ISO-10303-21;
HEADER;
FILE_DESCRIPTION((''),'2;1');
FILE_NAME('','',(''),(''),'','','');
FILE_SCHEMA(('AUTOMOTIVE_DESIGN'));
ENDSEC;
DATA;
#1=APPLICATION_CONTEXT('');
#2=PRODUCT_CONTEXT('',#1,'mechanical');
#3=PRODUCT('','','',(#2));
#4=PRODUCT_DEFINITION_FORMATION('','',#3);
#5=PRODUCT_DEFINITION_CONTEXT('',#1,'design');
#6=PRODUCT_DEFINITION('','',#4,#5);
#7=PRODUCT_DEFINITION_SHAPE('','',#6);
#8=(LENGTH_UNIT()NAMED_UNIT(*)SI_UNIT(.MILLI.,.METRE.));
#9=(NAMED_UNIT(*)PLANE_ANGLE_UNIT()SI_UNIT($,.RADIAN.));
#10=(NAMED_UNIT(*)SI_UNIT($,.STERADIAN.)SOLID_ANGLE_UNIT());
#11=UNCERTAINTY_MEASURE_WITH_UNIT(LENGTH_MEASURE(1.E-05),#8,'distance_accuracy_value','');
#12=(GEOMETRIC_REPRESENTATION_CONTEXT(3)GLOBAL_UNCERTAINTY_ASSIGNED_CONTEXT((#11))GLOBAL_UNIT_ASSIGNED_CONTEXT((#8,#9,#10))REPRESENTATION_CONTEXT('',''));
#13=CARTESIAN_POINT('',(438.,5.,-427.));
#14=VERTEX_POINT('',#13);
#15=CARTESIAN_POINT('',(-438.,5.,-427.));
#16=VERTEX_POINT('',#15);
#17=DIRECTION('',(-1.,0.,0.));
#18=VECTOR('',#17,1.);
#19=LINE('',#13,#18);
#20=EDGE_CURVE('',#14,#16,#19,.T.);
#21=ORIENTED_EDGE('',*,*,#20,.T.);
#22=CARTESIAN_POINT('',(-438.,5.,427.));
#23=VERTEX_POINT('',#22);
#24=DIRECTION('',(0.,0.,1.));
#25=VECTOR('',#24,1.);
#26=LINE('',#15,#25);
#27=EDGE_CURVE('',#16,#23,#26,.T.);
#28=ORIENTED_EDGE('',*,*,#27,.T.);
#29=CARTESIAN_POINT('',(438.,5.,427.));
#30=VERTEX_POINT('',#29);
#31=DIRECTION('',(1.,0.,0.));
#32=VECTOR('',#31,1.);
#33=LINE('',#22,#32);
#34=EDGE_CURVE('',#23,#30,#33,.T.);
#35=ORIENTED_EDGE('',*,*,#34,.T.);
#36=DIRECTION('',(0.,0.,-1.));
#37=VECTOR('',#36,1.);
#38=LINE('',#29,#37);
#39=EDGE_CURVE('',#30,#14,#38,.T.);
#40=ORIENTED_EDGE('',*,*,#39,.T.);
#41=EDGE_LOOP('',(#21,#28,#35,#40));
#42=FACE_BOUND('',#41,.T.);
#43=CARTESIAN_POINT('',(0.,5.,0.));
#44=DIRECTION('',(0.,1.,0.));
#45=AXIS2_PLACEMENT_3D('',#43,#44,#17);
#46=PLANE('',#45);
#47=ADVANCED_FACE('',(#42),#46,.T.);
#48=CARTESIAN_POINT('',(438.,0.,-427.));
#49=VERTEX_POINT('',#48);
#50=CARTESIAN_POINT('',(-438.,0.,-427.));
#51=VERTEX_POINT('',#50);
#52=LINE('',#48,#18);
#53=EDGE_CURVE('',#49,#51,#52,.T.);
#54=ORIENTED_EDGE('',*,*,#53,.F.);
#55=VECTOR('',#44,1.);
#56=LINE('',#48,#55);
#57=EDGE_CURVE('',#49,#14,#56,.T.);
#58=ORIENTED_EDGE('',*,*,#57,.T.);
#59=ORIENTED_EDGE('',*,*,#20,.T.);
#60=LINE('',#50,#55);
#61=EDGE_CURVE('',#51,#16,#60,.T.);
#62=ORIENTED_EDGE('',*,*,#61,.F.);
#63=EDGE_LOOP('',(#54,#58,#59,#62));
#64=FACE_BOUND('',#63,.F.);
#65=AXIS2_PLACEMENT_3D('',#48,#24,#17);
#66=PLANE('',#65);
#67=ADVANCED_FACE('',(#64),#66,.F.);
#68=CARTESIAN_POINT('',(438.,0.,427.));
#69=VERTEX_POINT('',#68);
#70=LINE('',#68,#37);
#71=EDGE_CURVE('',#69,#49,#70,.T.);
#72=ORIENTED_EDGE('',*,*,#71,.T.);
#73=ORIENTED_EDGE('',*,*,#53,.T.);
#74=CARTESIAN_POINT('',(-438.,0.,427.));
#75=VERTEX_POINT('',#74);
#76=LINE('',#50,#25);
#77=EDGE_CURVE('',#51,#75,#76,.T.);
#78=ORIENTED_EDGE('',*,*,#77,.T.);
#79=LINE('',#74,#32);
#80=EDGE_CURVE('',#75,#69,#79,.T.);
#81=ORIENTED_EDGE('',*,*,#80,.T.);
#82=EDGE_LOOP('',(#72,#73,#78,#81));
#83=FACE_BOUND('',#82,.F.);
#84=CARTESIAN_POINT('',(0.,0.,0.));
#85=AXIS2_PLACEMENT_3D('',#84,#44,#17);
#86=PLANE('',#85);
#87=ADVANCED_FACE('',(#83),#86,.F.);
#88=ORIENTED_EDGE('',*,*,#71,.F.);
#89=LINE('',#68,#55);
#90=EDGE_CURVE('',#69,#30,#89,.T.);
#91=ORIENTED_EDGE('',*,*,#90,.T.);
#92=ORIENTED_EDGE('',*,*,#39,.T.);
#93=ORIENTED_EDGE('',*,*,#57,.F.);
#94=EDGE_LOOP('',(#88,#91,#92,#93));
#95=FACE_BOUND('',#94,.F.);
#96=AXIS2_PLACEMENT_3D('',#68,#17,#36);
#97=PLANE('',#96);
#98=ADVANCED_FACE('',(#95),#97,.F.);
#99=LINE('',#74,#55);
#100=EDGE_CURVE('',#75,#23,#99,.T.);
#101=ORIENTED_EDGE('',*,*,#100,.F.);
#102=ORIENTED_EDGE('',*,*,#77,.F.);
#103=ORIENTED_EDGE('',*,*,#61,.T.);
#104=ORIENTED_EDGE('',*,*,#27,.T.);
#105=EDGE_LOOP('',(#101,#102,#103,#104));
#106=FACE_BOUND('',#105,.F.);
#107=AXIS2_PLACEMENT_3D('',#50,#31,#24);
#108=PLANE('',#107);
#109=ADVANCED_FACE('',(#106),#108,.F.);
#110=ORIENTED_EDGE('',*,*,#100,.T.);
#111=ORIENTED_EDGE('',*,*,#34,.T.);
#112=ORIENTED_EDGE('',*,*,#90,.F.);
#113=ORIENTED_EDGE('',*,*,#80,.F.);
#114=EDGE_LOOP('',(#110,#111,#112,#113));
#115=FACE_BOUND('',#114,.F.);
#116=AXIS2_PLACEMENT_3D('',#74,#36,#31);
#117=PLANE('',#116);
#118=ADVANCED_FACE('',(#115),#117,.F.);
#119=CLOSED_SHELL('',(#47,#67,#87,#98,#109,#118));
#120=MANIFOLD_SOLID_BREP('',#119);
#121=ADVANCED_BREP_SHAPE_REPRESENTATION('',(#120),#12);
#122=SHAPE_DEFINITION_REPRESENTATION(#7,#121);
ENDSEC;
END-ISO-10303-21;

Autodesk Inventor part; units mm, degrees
ref_plane "YZ Plane" through (0, 0, 0) normal (1, 0, 0) x (0, 1, 0)
ref_plane "XZ Plane" through (0, 0, 0) normal (0, 1, 0) x (-1, 0, 0)
ref_plane "XY Plane" through (0, 0, 0) normal (0, 0, 1) x (1, 0, 0)
sketch "Эскиз1" plane through (0, 0, 0) normal (0, 1, 0) x (-1, 0, 0)
  line L0 (438, 427) -> (-438, 427)
  line L1 (-438, 427) -> (-438, -427)
  line L2 (-438, -427) -> (438, -427)
  line L3 (438, -427) -> (438, 427)
  line L4 (438, 427) -> (-438, -427) construction
  line L5 (-438, 427) -> (438, -427) construction
  point P0 (0, 0)
  dimension "d0" = 876
  dimension "d1" = 854
extrude "Пластина1" add sketch "Эскиз1" along normal blind 5
equation "\"d2\" = Толщина"
equation "\"Радиус_гибки\" = Толщина"
equation "\"Ширина_просечки\" = Толщина"
equation "\"Глубина_просечки\" = 0.5 * Толщина"
equation "\"Радиус_перехода\" = Радиус_гибки"
equation "\"Радиус_Якоби\" = Радиус_гибки"
equation "\"Размер_зазора\" = Толщина"
equation "\"Толщина\" = 5"
properties part number "GBK bottom 0113" material "Steel"
